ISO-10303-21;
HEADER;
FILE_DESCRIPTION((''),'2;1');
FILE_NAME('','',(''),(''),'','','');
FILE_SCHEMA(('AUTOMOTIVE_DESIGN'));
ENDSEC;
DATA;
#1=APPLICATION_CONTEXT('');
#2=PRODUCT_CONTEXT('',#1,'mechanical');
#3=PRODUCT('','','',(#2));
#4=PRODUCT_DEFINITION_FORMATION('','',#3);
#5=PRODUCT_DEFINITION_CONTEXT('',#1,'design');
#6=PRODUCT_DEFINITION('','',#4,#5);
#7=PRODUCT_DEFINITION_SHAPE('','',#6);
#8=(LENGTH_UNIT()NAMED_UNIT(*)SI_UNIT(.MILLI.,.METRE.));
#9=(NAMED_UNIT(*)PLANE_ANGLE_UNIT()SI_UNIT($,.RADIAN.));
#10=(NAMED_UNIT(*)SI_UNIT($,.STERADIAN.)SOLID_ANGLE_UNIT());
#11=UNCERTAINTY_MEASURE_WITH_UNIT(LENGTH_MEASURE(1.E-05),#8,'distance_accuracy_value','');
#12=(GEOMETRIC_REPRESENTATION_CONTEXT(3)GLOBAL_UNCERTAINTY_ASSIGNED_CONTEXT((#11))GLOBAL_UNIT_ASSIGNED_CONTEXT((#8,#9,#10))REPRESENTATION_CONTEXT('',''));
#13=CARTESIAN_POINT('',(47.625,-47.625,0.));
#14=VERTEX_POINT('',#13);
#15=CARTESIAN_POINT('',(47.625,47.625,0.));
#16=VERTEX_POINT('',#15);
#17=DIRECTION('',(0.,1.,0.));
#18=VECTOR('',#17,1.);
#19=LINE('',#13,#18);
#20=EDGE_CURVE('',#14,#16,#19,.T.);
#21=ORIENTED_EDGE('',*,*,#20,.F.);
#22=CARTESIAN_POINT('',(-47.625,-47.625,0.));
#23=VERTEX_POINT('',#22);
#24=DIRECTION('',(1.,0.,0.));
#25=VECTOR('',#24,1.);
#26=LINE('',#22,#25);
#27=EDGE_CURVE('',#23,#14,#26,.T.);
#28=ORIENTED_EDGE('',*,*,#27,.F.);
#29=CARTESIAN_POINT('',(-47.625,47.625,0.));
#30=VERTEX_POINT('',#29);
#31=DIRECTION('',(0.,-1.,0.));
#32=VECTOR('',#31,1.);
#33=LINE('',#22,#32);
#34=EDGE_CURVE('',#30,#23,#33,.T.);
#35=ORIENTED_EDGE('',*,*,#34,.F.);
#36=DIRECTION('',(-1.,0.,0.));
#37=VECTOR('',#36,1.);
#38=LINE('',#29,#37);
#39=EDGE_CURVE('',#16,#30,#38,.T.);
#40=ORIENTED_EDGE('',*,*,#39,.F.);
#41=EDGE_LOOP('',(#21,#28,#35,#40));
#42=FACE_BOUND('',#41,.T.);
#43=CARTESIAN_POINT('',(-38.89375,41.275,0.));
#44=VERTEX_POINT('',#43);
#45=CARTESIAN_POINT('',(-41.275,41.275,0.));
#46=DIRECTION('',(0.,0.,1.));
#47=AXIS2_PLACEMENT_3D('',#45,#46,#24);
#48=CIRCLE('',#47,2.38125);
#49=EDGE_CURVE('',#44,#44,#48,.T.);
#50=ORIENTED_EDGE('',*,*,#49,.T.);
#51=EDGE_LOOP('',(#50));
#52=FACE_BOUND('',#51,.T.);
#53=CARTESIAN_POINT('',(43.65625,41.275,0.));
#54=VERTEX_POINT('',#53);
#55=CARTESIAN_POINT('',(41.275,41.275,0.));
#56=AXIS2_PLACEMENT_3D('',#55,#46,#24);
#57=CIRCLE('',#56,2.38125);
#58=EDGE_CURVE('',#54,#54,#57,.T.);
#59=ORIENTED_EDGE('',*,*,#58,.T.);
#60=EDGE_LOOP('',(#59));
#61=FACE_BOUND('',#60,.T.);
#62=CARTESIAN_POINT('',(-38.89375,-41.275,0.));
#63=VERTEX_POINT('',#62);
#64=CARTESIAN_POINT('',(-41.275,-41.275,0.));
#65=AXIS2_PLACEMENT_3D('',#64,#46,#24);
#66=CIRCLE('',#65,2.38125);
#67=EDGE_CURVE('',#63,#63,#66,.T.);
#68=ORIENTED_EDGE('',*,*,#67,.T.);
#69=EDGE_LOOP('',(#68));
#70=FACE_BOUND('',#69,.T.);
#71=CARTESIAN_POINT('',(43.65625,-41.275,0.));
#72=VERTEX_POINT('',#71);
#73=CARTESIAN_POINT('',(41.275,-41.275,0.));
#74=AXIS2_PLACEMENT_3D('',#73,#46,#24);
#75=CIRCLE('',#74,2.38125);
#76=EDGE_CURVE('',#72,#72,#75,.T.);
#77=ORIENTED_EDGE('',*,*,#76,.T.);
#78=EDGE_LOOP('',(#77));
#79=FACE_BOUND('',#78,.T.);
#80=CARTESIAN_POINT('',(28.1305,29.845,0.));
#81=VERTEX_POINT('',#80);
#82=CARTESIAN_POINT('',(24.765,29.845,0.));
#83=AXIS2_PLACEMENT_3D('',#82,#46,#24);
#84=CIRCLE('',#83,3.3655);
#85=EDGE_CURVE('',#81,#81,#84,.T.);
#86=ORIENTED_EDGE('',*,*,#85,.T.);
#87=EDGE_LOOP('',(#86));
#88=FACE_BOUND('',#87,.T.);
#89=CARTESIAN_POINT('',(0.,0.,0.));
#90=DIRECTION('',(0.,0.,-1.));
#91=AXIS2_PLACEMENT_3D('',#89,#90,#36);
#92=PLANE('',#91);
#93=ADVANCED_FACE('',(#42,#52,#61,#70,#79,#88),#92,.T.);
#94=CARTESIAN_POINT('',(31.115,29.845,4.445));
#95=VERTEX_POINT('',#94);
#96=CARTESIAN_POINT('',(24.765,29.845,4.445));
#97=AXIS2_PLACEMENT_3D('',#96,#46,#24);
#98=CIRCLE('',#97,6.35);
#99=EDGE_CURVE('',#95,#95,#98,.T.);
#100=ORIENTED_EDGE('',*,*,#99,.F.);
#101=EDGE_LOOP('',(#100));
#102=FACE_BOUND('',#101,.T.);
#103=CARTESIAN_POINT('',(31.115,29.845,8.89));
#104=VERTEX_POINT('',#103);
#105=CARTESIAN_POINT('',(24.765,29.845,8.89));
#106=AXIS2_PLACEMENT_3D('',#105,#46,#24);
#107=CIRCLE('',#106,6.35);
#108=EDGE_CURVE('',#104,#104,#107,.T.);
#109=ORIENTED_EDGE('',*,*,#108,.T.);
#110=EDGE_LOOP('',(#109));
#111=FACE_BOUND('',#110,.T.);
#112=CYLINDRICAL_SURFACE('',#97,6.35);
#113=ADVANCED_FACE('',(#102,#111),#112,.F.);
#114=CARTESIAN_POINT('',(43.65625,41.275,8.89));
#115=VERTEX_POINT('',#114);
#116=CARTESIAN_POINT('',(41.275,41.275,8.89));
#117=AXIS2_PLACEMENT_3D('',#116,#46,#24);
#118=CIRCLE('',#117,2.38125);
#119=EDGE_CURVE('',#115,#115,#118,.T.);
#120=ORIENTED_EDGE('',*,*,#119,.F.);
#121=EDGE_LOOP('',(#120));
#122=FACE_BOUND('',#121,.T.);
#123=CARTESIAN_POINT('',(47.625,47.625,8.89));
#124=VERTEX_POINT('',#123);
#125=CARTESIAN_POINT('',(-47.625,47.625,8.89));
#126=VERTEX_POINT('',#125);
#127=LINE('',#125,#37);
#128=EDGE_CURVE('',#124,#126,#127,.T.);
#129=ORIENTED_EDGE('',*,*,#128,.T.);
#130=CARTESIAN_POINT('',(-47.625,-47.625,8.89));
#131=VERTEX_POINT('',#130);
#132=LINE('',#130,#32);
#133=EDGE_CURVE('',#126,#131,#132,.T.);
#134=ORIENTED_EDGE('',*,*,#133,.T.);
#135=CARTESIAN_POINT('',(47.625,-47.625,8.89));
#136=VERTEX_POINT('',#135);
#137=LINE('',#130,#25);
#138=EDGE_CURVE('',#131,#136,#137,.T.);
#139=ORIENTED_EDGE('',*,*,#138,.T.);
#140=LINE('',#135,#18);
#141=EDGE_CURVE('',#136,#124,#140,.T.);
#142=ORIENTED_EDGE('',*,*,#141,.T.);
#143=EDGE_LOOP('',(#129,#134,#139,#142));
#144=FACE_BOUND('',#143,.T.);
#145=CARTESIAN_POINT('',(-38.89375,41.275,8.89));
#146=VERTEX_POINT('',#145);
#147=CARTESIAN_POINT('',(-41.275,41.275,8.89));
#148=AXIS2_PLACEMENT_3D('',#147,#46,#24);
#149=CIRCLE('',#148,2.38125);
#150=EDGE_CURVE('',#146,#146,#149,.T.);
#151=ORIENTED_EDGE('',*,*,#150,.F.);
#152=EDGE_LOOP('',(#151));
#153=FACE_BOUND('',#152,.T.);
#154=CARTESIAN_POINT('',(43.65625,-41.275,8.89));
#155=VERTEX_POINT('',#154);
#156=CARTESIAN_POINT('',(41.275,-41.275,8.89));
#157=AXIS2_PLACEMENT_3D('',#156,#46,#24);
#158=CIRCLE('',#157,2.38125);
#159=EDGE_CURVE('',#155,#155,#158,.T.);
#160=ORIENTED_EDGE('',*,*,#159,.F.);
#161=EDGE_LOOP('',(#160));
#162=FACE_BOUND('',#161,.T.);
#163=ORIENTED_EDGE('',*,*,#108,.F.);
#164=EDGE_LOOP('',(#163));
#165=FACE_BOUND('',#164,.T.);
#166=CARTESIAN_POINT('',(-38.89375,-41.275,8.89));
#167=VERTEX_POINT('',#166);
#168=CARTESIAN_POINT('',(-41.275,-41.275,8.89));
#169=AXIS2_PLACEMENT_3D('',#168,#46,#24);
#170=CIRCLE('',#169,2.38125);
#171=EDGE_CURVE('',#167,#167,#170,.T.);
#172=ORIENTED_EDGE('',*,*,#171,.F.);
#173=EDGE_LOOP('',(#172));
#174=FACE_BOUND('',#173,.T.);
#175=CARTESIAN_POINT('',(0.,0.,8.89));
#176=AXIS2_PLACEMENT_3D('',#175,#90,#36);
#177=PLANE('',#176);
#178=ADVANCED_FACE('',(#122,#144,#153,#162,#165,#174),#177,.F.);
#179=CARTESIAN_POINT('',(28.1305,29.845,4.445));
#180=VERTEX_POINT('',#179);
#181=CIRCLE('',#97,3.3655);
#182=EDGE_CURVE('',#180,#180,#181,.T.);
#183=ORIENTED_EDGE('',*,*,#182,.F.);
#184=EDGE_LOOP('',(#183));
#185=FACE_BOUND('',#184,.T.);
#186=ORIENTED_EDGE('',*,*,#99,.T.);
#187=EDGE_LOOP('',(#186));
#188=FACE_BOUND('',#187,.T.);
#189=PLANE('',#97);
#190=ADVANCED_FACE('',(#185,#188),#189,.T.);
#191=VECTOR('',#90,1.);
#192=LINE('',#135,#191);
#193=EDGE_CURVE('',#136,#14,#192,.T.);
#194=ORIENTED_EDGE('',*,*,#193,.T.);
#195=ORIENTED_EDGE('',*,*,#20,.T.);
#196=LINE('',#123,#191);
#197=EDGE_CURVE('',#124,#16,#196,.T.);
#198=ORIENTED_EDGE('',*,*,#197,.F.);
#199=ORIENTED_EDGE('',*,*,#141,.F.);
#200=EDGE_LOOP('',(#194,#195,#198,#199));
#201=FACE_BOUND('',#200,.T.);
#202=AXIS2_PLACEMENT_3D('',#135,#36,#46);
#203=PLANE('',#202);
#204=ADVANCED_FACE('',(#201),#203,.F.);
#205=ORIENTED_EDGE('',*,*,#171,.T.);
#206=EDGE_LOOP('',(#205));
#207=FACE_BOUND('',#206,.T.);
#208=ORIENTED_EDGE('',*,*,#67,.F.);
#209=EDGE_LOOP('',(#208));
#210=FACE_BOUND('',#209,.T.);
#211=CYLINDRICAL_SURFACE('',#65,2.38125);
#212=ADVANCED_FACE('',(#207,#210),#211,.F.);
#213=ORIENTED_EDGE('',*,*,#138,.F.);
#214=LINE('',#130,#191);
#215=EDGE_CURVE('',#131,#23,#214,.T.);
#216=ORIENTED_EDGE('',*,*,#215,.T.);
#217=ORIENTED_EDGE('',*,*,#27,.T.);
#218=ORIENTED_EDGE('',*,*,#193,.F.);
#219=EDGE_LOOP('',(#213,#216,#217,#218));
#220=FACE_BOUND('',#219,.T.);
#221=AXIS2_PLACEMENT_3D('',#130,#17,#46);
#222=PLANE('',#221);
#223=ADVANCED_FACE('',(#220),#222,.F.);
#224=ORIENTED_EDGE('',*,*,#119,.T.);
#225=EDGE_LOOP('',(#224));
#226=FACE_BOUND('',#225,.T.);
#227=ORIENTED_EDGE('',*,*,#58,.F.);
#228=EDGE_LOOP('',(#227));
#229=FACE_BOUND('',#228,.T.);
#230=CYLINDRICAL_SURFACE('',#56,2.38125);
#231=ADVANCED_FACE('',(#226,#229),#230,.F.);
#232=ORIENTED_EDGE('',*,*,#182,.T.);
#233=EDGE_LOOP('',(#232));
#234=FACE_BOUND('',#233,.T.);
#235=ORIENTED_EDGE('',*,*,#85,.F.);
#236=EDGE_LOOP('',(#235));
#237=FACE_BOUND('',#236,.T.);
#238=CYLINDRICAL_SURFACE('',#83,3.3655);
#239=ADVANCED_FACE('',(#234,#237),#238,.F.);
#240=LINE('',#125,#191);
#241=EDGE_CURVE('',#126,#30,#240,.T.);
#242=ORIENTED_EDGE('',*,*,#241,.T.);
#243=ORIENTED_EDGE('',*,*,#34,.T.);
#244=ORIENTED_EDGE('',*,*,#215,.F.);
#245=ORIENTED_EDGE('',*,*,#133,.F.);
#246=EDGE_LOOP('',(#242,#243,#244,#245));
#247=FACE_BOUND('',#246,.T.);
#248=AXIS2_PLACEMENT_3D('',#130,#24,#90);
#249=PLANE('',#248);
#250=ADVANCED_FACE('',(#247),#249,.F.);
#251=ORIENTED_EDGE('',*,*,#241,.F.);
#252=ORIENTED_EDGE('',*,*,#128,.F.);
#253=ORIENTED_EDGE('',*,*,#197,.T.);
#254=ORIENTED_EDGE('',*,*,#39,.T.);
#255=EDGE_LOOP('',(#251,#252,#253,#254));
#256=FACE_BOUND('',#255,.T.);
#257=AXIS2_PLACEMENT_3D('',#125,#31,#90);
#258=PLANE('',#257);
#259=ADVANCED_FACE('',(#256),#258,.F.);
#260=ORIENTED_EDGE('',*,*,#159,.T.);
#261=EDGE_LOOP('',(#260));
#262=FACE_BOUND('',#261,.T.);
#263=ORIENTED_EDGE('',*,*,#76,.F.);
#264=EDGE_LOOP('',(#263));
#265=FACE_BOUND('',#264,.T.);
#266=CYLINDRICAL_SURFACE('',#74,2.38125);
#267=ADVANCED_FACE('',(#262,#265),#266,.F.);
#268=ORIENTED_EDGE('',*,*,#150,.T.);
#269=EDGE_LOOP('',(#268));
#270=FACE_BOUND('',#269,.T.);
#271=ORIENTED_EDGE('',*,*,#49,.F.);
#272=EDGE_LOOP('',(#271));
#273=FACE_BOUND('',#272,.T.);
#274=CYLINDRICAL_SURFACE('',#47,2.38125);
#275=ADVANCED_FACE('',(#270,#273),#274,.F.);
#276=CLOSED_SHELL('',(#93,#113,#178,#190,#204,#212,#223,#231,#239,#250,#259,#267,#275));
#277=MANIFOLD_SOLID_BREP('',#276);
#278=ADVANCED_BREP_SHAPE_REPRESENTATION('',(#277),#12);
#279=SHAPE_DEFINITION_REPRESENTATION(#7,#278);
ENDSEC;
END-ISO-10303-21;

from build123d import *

# Parameters (mm, degrees)
SKETCH1_W           = 95.25
SKETCH1_H           = 95.25
BOSS_EXTRUDE1_DEPTH = 8.89
SKETCH2_OUTSIDE_W   = 124.25
SKETCH2_OUTSIDE_H   = 124.25
SKETCH2_OUTSIDE_W_2 = 95.25
SKETCH2_OUTSIDE_H_2 = 95.25
SKETCH2_OUTSIDE_R   = 2.38125
CUT_EXTRUDE2_DEPTH  = 9.89
SKETCH3_R           = 6.35
CUT_EXTRUDE3_DEPTH  = 4.445
SKETCH4_R           = 3.3655
CUT_EXTRUDE4_DEPTH  = 5.445


with BuildPart() as part:
    # Sketch1 → Boss-Extrude1 (new body)
    with BuildSketch(Plane.XY):
        Rectangle(SKETCH1_W, SKETCH1_H)
    extrude(amount=BOSS_EXTRUDE1_DEPTH)

    # Sketch2 outside → Cut-Extrude2 (cut, through all)
    with BuildSketch(Plane.XY.offset(8.89)):
        Rectangle(SKETCH2_OUTSIDE_W, SKETCH2_OUTSIDE_H)
        Rectangle(SKETCH2_OUTSIDE_W_2, SKETCH2_OUTSIDE_H_2, mode=Mode.SUBTRACT)
        with Locations((-41.275, 41.275)):
            Circle(SKETCH2_OUTSIDE_R)
        with Locations((41.275, 41.275)):
            Circle(SKETCH2_OUTSIDE_R)
        with Locations((41.275, -41.275)):
            Circle(SKETCH2_OUTSIDE_R)
        with Locations((-41.275, -41.275)):
            Circle(SKETCH2_OUTSIDE_R)
    extrude(amount=-CUT_EXTRUDE2_DEPTH, mode=Mode.SUBTRACT)

    # Sketch3 → Cut-Extrude3 (cut)
    with BuildSketch(Plane.XY.offset(8.89)):
        with Locations((24.765, 29.845)):
            Circle(SKETCH3_R)
    extrude(amount=-CUT_EXTRUDE3_DEPTH, mode=Mode.SUBTRACT)

    # Sketch4 → Cut-Extrude4 (cut, through all)
    with BuildSketch(Plane.XY.offset(4.445)):
        with Locations((24.765, 29.845)):
            Circle(SKETCH4_R)
    extrude(amount=-CUT_EXTRUDE4_DEPTH, mode=Mode.SUBTRACT)


solid = part.part
